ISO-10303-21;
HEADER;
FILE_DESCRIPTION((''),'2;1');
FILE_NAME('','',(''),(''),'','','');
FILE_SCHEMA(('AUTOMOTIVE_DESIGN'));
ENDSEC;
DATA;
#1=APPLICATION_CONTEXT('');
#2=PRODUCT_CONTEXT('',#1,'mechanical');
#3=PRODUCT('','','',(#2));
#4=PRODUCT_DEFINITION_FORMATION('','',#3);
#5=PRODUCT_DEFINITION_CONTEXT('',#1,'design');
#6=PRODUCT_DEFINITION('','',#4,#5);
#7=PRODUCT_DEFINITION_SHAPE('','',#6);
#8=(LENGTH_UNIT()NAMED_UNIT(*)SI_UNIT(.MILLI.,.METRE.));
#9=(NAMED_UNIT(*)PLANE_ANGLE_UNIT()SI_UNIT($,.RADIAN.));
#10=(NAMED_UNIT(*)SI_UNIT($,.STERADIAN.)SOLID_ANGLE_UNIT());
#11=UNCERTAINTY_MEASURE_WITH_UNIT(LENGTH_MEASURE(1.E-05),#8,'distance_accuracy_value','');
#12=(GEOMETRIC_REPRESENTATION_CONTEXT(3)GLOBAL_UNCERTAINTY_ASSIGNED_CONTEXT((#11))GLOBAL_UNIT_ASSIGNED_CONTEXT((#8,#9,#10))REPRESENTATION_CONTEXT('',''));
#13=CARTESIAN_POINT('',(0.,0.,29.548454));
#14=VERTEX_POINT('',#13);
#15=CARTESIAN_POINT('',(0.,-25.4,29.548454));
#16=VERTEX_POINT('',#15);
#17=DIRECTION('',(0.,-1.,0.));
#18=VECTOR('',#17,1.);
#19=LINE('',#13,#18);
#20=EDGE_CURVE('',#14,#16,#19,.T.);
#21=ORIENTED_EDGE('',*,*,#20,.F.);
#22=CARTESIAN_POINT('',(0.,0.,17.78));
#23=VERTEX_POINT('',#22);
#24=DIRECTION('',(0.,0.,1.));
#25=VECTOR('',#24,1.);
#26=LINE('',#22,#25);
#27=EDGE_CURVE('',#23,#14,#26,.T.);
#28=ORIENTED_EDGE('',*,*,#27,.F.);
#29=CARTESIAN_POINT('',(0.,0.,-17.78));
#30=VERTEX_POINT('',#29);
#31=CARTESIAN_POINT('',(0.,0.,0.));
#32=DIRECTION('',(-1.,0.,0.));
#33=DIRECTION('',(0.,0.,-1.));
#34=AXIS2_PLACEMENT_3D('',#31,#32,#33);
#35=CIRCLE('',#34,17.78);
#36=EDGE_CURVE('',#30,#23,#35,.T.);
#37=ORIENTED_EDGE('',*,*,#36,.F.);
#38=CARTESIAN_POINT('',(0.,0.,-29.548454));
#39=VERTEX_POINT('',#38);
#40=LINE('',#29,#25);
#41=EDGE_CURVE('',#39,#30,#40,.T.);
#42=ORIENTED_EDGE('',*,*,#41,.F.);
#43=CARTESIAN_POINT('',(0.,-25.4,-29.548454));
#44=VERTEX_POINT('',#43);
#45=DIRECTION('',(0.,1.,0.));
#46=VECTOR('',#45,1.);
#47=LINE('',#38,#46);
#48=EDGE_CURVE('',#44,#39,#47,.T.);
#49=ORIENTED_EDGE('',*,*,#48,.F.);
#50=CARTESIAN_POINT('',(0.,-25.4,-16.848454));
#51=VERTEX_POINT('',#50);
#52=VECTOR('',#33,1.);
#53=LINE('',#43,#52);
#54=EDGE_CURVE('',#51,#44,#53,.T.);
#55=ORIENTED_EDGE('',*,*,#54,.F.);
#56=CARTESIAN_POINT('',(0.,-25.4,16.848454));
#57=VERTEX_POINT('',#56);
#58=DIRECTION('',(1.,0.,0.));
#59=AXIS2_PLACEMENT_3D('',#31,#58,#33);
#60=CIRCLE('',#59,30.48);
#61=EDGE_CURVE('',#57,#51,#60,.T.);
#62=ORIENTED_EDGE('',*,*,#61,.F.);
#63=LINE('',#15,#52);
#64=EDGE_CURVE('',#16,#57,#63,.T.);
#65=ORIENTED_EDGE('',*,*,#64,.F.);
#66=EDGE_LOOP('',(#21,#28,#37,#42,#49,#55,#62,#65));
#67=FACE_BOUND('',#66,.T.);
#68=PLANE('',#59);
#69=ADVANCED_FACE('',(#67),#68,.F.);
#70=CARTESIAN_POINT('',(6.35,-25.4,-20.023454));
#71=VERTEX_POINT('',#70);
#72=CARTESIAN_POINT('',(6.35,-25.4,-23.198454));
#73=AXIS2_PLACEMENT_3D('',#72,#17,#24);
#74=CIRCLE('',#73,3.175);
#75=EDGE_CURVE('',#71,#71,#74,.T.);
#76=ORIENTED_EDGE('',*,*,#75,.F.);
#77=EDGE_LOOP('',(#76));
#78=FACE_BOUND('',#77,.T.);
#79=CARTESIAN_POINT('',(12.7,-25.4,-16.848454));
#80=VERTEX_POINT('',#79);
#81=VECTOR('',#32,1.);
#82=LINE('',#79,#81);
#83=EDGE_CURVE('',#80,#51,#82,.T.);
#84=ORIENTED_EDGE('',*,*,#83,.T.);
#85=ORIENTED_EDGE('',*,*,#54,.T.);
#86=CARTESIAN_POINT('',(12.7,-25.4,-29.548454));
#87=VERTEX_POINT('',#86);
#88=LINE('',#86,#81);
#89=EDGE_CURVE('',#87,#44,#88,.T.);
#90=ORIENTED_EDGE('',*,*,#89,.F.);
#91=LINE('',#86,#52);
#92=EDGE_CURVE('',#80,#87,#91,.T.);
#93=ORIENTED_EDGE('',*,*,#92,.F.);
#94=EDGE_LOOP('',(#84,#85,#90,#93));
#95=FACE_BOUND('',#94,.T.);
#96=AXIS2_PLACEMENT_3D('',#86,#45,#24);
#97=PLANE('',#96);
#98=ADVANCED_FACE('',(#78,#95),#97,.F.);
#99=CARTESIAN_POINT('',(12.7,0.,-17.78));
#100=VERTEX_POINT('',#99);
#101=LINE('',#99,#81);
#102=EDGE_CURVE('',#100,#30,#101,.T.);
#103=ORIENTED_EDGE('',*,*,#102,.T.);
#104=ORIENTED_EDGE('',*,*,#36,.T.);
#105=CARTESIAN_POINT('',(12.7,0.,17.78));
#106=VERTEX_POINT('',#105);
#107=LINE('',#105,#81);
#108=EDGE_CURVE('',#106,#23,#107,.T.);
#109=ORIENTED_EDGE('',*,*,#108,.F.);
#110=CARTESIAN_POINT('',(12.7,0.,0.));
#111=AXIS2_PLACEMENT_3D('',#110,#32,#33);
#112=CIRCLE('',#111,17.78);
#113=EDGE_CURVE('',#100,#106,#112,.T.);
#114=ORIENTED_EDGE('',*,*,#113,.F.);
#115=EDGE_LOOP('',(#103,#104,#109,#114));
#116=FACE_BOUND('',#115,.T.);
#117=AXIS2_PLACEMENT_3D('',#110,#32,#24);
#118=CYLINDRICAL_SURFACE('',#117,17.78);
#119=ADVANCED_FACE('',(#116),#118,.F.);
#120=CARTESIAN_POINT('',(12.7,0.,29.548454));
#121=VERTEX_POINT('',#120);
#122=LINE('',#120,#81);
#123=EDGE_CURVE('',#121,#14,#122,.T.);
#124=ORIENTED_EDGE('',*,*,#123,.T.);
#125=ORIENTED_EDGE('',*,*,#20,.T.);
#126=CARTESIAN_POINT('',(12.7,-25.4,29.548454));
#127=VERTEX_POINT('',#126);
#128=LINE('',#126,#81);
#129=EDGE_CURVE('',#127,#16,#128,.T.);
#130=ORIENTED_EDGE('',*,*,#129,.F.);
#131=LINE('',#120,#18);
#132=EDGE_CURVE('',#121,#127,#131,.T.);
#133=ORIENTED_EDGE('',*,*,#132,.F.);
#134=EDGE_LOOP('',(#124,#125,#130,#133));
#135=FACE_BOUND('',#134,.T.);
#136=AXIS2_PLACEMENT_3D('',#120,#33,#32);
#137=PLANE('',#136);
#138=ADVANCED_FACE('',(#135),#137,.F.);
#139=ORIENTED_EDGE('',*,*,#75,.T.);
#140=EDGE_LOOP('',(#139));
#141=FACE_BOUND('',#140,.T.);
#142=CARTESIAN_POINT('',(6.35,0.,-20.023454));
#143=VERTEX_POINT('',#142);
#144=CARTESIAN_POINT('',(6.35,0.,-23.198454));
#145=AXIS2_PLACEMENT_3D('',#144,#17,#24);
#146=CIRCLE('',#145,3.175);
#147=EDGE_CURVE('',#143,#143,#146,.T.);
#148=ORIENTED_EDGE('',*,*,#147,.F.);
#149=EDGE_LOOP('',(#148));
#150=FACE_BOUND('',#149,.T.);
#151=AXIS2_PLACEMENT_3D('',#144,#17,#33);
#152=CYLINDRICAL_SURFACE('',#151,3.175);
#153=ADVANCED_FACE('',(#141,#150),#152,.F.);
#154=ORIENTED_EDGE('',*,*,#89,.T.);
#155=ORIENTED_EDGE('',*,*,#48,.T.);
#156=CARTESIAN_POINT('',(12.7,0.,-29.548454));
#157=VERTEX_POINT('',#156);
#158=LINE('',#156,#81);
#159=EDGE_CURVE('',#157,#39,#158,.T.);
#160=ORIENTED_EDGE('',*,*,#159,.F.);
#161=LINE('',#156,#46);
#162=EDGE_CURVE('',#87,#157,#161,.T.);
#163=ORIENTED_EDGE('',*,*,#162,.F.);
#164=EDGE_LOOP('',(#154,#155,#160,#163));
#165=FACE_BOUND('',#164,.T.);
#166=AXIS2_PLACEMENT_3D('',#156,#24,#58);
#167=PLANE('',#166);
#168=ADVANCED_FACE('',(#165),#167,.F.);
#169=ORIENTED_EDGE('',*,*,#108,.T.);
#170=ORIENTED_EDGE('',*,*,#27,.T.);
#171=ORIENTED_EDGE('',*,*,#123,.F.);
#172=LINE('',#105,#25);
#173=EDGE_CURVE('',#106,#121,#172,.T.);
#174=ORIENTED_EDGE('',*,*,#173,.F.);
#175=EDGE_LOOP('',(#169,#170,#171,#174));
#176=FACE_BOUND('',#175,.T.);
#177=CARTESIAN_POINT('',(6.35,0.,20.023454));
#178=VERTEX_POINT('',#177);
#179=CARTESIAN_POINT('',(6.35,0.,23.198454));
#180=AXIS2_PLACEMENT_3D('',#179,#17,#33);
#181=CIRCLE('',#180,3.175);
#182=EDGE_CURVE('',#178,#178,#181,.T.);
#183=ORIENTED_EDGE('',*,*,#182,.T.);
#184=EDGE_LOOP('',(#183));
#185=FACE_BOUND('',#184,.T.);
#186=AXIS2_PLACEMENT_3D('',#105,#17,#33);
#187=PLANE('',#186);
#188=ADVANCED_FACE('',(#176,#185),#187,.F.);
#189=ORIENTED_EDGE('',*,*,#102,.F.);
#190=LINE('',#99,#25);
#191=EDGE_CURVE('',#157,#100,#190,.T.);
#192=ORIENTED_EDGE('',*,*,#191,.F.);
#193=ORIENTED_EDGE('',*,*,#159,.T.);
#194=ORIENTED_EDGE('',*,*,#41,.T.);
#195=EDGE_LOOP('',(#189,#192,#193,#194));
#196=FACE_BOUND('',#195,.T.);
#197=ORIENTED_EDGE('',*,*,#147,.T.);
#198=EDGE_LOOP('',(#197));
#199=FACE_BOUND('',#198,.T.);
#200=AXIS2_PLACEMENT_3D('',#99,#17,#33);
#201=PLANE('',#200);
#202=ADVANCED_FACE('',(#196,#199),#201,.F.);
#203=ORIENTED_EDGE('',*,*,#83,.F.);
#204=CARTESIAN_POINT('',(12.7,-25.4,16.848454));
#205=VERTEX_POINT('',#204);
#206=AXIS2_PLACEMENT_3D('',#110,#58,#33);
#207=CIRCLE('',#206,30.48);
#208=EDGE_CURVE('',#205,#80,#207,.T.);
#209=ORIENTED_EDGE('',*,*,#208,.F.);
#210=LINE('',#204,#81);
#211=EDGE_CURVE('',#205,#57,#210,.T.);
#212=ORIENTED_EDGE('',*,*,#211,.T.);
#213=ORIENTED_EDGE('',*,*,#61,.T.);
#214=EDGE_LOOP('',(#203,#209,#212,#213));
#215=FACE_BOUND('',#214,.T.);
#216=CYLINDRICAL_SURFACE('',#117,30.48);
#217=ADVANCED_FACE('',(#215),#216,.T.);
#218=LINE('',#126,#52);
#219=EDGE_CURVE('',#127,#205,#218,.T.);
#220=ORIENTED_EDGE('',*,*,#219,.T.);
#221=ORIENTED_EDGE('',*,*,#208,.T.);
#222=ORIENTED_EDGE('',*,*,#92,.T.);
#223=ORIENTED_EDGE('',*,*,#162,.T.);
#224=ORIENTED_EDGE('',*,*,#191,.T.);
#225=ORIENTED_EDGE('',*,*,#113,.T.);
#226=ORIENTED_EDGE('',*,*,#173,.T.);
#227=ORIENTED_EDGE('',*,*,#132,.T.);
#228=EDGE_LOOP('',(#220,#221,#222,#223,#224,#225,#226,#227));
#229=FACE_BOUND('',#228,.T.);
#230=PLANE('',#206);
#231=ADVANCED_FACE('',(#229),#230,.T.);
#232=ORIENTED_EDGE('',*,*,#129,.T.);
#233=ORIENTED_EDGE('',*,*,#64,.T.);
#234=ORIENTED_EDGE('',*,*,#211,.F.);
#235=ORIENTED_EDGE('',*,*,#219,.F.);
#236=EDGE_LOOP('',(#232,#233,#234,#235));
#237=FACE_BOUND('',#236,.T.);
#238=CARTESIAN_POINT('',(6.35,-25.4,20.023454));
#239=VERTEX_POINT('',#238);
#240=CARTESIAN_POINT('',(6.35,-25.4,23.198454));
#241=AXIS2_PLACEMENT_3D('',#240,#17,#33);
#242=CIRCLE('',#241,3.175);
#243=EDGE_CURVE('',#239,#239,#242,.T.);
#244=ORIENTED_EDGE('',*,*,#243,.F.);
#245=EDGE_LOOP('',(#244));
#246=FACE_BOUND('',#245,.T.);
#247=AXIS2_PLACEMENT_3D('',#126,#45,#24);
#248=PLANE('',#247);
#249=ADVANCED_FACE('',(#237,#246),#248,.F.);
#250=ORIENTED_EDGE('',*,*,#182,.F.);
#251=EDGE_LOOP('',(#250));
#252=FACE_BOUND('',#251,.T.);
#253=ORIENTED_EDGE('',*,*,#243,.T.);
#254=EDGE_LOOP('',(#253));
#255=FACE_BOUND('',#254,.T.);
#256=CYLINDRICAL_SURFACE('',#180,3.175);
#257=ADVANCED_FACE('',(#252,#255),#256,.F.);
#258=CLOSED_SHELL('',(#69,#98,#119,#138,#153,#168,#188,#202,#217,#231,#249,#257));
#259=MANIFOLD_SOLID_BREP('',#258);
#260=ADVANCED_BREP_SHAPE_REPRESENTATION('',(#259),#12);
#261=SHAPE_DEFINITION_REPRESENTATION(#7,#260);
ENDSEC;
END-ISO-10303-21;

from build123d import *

# Parameters (mm, degrees)
BOSS_EXTRUDE1_DEPTH = 12.7
SKETCH2_R           = 3.175
CUT_EXTRUDE1_DEPTH  = 41.982449048


with BuildPart() as part:
    # Sketch1 → Boss-Extrude1 (new body)
    with BuildSketch(Plane(origin=(0, 0, 0), x_dir=(0, 0, -1), z_dir=(1, 0, 0))):
        with BuildLine():
            Line((-17.78, 0), (-29.548453935, 0))
            Line((-29.548453935, 0), (-29.548453935, -25.4))
            Line((-29.548453935, -25.4), (-16.848453935, -25.4))
            ThreePointArc((-16.848453935, -25.4), (0, -30.48), (16.848453935, -25.4))
            Line((16.848453935, -25.4), (29.548453935, -25.4))
            Line((29.548453935, -25.4), (29.548453935, 0))
            Line((29.548453935, 0), (17.78, 0))
            ThreePointArc((17.78, 0), (0, -17.78), (-17.78, 0))
        make_face()
    extrude(amount=BOSS_EXTRUDE1_DEPTH)

    # Sketch2 → Cut-Extrude1 (cut, through all)
    with BuildSketch(Plane.XZ.offset(25.4)):
        with Locations(Location((6.35, 23.198453935, 0), (0, 0, 270))):
            Circle(SKETCH2_R)
        with Locations(Location((6.35, -23.198453935, 0), (0, 0, 90))):
            Circle(SKETCH2_R)
    extrude(amount=-CUT_EXTRUDE1_DEPTH, mode=Mode.SUBTRACT)


solid = part.part
